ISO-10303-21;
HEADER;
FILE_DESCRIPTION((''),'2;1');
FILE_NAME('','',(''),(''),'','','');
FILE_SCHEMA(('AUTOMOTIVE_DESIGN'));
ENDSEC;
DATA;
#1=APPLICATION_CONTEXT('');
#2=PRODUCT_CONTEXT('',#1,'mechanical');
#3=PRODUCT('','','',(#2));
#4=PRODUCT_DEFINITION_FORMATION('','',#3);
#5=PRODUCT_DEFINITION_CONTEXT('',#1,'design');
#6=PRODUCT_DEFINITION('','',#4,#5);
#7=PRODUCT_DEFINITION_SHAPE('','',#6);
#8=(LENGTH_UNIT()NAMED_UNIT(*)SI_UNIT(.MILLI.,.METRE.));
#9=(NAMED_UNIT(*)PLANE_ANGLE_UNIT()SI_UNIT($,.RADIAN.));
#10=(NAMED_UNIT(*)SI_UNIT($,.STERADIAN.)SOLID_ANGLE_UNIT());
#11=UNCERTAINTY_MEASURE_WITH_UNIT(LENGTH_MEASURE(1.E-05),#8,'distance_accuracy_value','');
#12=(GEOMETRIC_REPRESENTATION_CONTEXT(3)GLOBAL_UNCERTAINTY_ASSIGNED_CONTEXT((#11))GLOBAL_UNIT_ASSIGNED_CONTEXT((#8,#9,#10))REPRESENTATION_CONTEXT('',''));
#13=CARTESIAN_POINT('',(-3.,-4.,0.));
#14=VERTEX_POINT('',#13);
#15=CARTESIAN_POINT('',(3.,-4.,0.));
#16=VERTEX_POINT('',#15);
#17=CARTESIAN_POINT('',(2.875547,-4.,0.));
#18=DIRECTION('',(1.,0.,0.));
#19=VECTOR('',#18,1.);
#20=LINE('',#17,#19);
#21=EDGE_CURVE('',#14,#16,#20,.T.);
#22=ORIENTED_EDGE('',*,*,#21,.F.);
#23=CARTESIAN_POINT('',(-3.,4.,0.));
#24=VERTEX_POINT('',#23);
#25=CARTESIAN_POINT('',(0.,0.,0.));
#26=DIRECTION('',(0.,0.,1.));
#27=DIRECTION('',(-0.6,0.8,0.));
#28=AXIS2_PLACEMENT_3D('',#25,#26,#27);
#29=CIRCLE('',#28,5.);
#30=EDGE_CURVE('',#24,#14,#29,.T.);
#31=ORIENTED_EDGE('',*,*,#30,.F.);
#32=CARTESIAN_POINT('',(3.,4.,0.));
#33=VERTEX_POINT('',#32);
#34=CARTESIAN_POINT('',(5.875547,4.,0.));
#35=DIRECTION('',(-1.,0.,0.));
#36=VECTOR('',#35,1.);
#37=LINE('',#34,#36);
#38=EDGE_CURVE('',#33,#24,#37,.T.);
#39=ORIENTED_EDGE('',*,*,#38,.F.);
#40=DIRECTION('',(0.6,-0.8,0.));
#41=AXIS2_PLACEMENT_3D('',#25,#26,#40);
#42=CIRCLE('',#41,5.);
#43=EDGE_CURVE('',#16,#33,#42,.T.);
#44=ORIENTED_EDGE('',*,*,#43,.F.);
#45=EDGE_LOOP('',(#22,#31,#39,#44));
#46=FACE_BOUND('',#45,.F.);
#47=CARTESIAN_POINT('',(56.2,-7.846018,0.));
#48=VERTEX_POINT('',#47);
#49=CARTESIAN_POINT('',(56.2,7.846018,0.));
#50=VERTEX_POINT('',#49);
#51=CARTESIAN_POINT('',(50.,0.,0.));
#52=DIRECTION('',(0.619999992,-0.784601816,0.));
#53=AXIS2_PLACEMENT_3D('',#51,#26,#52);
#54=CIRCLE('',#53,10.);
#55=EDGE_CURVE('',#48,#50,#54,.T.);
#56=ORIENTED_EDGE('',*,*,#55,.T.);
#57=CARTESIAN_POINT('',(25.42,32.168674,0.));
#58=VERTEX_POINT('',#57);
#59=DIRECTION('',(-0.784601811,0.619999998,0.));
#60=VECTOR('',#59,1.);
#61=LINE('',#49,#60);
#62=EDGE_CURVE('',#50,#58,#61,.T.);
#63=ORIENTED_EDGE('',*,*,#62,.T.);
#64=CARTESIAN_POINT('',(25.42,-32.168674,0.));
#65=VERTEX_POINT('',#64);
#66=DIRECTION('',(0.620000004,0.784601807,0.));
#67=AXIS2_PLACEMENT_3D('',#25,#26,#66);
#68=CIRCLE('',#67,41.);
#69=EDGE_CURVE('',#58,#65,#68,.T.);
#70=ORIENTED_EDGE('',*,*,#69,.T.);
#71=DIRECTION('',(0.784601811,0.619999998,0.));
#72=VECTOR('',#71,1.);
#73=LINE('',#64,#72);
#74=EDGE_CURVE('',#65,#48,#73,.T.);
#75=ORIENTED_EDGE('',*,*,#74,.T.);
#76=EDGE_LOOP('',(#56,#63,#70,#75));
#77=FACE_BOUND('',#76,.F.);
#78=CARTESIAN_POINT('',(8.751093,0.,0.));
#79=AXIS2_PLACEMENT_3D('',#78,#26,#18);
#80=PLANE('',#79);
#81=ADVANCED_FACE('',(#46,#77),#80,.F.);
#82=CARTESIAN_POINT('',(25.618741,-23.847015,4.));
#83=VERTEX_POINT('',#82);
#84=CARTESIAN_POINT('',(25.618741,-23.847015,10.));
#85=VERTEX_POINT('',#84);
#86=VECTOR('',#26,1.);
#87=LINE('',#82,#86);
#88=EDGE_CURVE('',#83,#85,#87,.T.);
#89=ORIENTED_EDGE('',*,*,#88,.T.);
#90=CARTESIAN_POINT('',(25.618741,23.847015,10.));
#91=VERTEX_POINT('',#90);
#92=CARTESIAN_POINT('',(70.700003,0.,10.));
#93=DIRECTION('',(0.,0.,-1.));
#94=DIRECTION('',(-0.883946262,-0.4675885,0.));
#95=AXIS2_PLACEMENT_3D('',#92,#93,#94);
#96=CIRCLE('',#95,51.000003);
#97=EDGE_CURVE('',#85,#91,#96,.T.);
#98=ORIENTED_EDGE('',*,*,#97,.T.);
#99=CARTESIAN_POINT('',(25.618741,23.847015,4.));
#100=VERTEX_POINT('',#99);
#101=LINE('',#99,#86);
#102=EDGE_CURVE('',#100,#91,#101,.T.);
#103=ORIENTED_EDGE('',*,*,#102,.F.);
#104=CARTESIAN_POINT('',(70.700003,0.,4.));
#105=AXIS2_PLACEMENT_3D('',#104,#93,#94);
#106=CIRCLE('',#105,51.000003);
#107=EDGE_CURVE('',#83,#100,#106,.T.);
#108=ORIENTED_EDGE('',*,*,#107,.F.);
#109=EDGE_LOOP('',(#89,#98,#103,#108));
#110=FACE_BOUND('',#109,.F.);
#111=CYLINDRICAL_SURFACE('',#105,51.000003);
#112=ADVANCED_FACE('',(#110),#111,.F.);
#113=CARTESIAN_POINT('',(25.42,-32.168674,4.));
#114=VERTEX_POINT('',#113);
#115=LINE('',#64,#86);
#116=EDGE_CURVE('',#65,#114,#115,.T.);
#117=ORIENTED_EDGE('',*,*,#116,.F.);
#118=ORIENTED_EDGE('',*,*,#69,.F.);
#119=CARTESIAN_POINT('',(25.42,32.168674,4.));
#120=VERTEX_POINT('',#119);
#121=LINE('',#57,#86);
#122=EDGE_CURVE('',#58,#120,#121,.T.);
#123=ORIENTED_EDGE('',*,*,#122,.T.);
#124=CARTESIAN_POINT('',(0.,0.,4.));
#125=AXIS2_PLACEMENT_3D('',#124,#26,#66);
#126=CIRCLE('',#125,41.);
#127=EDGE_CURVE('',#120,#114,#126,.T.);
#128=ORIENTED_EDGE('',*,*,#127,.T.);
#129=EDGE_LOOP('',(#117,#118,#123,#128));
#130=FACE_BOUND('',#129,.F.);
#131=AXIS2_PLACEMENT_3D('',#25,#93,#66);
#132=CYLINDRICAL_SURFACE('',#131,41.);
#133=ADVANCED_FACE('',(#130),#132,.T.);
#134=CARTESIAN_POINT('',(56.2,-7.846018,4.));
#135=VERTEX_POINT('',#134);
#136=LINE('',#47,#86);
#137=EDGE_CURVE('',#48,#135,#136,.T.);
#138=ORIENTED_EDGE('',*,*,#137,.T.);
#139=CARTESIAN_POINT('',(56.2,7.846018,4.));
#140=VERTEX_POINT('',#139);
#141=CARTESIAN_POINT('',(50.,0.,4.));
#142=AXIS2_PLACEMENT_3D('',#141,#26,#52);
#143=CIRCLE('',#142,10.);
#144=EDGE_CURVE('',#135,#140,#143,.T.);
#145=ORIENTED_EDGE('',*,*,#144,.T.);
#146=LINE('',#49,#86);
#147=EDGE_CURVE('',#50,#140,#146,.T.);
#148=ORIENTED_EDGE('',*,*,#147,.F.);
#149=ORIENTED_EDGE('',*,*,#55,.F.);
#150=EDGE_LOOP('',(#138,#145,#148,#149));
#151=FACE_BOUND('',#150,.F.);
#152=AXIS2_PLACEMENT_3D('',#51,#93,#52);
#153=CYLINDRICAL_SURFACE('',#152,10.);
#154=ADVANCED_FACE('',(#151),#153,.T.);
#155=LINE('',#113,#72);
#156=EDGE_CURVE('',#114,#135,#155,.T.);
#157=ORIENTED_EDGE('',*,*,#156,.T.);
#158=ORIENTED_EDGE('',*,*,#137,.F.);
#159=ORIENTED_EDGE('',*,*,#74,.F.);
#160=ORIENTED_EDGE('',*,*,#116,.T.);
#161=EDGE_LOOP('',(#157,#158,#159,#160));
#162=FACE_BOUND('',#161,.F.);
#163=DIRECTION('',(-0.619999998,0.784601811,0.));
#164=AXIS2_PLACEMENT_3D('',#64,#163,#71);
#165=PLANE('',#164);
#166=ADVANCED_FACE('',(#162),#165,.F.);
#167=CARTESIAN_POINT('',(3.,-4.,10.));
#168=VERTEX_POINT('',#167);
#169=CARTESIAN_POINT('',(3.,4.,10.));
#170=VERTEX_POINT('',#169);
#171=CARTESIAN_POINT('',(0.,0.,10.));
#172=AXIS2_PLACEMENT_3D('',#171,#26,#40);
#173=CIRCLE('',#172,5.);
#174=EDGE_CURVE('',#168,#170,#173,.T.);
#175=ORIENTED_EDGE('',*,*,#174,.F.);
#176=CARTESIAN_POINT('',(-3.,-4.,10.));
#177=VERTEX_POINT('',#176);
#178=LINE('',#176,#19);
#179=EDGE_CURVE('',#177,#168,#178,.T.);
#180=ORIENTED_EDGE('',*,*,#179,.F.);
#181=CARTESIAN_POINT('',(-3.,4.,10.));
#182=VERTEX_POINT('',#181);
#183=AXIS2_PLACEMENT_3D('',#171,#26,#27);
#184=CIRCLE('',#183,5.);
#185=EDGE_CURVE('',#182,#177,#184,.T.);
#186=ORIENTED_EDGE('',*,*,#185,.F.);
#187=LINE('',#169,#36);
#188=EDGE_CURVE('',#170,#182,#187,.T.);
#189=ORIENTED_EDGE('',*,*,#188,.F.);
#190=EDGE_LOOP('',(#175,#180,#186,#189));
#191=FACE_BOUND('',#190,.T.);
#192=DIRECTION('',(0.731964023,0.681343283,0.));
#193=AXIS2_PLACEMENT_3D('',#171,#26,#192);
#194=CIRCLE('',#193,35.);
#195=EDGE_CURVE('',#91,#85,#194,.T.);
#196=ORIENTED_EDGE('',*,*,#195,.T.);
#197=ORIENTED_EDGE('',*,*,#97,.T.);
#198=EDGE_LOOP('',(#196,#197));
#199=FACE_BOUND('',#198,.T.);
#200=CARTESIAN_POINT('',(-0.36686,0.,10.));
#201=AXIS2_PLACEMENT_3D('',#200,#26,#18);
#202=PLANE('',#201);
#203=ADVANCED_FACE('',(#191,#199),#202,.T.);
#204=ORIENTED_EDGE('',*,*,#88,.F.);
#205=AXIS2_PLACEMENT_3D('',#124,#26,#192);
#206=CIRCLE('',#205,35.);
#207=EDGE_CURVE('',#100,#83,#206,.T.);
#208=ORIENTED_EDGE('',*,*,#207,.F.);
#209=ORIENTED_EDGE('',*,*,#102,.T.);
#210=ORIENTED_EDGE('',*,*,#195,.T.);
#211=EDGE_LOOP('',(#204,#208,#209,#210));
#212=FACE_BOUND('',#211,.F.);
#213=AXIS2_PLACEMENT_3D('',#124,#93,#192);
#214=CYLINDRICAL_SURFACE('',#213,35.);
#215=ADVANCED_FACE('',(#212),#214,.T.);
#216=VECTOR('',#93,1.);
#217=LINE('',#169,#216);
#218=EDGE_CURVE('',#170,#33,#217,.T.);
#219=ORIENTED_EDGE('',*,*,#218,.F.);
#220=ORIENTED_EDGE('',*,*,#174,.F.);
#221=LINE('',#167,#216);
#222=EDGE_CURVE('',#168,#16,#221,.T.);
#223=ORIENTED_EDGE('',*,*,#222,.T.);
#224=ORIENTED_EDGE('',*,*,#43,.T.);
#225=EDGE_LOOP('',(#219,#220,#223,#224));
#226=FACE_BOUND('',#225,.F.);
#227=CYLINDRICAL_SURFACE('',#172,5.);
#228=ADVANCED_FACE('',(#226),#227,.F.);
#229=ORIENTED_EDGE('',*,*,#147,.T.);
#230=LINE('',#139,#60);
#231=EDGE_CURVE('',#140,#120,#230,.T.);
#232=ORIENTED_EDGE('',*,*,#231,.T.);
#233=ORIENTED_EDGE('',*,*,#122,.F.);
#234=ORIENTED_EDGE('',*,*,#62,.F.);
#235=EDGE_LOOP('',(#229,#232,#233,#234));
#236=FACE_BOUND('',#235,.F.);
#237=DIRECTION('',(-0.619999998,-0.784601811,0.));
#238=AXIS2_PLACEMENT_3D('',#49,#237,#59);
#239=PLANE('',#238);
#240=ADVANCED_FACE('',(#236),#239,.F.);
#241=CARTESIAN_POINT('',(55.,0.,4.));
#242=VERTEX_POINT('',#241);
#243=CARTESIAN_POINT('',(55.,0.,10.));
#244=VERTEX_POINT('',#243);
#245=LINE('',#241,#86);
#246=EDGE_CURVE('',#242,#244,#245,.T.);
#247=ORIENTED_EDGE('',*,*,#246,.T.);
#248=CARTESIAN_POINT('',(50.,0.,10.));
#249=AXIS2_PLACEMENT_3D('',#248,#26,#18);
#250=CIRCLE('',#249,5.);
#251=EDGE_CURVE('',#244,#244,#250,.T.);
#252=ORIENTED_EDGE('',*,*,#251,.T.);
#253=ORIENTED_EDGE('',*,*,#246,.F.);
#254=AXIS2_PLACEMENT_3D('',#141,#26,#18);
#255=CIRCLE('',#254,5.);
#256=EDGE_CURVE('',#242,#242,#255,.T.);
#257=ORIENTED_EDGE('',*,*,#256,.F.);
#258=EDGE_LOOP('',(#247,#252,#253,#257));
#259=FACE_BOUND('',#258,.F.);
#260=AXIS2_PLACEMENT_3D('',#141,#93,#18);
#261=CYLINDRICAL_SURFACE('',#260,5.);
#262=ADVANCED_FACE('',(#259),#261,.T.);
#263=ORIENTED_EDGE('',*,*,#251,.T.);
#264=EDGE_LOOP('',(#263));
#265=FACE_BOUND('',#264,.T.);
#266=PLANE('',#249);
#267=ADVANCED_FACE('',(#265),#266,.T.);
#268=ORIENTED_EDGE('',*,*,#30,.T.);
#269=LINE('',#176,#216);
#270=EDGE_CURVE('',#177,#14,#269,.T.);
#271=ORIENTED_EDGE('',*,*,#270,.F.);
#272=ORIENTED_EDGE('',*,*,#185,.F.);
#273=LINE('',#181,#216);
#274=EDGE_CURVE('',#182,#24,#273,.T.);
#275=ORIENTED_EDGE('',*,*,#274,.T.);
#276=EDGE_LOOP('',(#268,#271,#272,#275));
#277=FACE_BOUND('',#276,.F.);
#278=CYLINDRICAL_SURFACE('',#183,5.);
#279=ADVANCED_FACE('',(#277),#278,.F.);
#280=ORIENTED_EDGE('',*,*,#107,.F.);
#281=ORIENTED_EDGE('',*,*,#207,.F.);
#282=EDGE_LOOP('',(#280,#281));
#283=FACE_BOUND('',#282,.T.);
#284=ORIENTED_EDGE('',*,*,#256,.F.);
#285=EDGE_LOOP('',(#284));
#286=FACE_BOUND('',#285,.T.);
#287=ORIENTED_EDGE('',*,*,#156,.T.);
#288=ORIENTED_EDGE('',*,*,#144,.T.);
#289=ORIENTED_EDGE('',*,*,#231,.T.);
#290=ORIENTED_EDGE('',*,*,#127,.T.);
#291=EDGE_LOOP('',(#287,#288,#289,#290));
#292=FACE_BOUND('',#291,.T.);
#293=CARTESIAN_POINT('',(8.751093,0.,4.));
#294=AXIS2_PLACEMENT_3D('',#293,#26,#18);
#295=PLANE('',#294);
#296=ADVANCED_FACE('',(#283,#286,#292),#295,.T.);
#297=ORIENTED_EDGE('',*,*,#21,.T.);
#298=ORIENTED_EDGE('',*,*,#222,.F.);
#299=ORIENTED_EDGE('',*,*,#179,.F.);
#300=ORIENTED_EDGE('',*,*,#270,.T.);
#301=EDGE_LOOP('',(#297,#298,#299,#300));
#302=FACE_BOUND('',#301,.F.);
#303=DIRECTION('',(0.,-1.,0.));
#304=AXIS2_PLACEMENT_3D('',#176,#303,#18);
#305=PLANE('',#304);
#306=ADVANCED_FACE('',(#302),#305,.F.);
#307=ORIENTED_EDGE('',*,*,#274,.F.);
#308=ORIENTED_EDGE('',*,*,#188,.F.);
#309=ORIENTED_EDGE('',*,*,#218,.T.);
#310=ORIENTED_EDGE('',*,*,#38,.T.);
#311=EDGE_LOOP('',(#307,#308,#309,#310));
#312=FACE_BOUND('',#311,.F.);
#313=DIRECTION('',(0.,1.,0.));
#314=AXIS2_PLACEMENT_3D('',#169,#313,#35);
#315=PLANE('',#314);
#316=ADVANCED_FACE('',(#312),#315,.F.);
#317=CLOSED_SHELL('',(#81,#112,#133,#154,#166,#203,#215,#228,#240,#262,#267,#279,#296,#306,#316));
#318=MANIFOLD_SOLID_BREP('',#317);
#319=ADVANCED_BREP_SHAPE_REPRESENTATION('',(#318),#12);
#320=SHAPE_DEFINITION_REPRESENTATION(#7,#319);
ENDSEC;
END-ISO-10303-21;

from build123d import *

# Parameters (mm, degrees)
F1_DEPTH = 4
F3_DEPTH = 6
F4_R     = 5
F5_DEPTH = 6
F7_DEPTH = 10.001


with BuildPart() as f1:
    # F0 (on Top) → F1 (new body)
    with BuildSketch(Plane.XY):
        with BuildLine():
            Line((56.2, 7.846018), (25.42, 32.168674))
            ThreePointArc((25.42, 32.168674), (-41, 0), (25.42, -32.168674))
            Line((25.42, -32.168674), (56.2, -7.846018))
            ThreePointArc((56.2, -7.846018), (60, 0), (56.2, 7.846018))
        make_face()
    extrude(amount=F1_DEPTH)

    # F2 (on face) → F3 (join)
    with BuildSketch(Plane.XY.offset(4)):
        with BuildLine():
            ThreePointArc((25.618741, -23.847015), (19.7, 0), (25.618741, 23.847015))
            ThreePointArc((25.618741, 23.847015), (-35, 0), (25.618741, -23.847015))
        make_face()
    extrude(amount=F3_DEPTH)

    # F4 (on face) → F5 (join)
    with BuildSketch(Plane.XY.offset(4)):
        with Locations((50, 0)):
            Circle(F4_R)
    extrude(amount=F5_DEPTH)

    # F6 (on face) → F7 (cut, through all)
    with BuildSketch(Plane.XY.offset(10)):
        with BuildLine():
            Line((3, 4), (-3, 4))
            ThreePointArc((-3, 4), (-5, 0), (-3, -4))
            Line((-3, -4), (3, -4))
            ThreePointArc((3, -4), (5, 0), (3, 4))
        make_face()
    extrude(amount=-F7_DEPTH, mode=Mode.SUBTRACT)


solid = f1.part
